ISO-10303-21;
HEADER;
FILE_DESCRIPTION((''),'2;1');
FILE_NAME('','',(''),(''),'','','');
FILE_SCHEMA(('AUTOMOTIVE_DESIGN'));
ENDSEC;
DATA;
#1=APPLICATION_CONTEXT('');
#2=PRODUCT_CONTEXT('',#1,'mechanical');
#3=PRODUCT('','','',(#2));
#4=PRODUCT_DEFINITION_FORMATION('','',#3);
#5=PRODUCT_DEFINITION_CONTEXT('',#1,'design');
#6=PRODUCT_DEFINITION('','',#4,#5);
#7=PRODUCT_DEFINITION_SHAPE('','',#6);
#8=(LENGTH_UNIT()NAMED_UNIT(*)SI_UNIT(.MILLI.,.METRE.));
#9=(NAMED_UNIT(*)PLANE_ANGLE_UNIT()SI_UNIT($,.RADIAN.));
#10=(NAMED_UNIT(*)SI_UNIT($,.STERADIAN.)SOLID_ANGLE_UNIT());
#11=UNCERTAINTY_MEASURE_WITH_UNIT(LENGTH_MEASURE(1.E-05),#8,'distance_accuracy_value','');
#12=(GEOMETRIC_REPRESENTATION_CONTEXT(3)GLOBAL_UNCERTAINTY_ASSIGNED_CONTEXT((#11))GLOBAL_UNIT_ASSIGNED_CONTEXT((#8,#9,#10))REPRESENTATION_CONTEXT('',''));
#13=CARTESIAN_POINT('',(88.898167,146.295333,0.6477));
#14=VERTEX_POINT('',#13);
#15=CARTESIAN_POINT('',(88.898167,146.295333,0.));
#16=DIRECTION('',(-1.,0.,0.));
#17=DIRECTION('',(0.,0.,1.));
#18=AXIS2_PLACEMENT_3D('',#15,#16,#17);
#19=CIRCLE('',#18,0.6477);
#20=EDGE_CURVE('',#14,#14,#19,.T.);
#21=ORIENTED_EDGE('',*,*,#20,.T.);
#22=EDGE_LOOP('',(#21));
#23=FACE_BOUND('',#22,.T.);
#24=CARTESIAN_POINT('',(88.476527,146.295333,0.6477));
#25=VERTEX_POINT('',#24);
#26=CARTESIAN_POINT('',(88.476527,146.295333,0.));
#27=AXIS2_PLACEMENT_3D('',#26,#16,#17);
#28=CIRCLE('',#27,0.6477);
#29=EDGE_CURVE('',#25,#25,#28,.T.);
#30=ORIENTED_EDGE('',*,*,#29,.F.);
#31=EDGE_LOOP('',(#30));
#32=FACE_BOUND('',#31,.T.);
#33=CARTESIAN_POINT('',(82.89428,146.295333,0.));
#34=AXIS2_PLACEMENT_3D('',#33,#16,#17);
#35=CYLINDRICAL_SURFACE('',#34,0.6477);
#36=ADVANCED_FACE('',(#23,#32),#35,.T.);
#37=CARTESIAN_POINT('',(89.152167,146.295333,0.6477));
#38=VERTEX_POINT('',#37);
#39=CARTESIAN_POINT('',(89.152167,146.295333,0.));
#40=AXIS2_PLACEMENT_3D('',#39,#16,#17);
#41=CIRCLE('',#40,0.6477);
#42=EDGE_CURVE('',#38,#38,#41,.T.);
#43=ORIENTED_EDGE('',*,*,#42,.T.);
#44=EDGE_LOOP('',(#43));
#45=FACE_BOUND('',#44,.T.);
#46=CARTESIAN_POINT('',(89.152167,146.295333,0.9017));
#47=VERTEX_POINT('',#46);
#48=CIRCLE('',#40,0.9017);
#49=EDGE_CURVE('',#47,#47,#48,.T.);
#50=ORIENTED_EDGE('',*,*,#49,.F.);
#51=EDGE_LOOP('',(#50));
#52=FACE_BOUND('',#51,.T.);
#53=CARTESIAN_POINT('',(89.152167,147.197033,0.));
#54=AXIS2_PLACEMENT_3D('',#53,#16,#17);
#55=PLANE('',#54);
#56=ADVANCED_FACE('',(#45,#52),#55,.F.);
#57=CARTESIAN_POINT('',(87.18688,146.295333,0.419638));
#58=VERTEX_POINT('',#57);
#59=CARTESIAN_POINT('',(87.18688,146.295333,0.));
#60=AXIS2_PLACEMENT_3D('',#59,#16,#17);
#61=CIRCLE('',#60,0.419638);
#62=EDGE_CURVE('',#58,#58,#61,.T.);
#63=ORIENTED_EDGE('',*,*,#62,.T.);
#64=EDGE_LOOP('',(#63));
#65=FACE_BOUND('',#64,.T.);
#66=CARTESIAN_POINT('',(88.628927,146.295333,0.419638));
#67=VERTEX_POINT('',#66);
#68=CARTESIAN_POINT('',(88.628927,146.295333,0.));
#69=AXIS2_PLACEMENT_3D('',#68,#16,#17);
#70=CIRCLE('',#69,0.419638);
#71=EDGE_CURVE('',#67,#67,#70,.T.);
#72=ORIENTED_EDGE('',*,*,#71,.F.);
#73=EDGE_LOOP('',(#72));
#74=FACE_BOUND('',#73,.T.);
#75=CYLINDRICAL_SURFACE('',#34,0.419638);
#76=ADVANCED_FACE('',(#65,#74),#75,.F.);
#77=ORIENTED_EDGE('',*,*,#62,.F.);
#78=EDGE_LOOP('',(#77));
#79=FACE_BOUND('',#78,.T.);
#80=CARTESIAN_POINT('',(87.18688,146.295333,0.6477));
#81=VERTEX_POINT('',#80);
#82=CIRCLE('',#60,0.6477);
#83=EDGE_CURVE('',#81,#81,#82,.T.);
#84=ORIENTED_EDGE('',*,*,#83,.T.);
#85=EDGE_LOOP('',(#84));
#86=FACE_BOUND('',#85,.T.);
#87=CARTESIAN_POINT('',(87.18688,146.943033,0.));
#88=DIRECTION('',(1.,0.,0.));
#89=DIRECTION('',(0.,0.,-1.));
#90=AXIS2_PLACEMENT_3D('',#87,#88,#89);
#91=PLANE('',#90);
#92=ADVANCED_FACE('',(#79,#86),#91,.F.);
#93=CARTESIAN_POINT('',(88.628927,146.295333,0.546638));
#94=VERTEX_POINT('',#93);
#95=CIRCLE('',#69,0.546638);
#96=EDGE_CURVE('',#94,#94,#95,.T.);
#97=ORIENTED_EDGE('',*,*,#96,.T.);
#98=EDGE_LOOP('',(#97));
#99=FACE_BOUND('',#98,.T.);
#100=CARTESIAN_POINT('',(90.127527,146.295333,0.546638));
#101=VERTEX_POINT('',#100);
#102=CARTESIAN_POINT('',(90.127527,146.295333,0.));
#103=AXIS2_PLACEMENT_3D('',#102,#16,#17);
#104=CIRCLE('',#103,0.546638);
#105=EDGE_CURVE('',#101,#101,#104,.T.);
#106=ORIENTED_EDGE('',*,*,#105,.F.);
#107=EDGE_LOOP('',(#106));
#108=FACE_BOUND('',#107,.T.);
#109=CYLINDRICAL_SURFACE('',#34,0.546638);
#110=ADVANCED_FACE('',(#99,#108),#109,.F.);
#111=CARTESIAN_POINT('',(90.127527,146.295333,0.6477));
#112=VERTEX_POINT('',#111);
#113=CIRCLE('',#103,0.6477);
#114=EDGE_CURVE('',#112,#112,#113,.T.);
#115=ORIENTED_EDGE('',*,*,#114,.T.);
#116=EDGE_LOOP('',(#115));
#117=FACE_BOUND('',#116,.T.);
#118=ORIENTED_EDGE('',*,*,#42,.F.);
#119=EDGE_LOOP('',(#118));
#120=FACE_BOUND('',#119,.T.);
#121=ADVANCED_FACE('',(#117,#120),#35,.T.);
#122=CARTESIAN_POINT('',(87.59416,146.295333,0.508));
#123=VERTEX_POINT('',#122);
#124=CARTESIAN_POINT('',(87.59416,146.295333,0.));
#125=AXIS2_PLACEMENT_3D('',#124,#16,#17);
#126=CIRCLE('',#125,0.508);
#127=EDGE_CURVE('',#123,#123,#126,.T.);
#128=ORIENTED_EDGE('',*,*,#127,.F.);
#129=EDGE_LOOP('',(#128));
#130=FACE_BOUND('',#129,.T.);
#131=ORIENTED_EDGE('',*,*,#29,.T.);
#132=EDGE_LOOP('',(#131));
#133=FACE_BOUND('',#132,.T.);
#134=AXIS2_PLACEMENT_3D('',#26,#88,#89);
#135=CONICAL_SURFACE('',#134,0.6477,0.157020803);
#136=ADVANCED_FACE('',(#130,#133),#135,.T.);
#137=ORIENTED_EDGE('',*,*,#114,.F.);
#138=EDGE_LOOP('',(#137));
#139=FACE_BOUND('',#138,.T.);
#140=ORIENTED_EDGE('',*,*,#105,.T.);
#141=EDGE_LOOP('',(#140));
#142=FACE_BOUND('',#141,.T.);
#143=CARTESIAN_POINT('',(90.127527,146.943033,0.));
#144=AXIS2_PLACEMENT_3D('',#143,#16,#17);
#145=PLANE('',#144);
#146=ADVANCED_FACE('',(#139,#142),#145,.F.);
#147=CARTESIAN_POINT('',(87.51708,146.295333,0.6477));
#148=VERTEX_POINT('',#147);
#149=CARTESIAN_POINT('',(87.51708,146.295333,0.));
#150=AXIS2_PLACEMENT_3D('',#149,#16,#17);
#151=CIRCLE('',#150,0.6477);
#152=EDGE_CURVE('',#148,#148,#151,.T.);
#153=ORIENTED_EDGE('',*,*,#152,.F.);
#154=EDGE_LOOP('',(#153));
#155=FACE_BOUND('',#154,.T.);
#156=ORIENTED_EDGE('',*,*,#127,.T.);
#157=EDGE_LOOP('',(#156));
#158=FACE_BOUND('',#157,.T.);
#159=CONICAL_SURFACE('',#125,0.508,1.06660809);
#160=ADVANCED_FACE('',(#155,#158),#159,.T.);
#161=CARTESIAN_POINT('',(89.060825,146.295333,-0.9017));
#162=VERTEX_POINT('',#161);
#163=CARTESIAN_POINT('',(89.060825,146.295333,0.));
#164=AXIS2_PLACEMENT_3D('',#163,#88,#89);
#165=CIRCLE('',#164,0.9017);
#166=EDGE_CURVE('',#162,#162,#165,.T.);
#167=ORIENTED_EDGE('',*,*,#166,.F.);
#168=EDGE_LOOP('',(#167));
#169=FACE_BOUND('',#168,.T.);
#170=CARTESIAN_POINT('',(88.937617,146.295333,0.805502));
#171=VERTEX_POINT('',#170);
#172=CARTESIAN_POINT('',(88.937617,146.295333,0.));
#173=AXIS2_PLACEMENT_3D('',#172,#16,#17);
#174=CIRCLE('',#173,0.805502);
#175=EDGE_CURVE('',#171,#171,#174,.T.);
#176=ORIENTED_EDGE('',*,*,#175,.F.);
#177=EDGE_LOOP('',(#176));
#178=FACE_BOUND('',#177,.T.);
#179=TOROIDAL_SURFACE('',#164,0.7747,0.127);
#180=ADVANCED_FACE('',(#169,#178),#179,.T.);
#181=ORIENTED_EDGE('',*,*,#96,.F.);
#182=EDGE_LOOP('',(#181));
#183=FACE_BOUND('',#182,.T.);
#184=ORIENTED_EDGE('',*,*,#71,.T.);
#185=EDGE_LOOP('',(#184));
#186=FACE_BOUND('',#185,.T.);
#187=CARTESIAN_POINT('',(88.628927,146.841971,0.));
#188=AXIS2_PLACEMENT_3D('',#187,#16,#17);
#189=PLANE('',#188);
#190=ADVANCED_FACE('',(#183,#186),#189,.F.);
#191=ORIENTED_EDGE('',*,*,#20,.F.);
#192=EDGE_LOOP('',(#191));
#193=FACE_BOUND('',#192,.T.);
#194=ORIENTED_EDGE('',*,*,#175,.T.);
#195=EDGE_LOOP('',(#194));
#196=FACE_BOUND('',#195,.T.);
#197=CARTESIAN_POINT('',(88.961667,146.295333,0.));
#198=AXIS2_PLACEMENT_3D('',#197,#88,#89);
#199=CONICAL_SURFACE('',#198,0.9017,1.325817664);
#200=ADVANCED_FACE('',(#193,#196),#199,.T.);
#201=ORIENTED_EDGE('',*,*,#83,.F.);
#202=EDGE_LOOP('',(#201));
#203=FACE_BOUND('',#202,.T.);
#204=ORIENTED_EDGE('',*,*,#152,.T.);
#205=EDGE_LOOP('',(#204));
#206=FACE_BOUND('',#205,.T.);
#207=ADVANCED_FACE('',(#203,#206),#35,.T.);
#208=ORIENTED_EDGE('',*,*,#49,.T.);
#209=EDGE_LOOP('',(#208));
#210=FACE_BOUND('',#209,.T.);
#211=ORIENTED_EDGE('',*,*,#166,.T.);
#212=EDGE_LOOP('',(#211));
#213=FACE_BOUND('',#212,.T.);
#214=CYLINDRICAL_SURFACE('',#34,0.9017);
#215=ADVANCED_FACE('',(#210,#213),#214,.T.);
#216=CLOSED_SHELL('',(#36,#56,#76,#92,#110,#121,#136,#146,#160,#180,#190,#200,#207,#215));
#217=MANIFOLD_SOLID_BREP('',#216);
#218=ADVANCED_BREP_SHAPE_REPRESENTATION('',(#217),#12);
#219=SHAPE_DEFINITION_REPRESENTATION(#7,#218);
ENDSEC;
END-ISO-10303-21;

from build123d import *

# Parameters (mm, degrees)
FILLET1_R = 0.127


with BuildPart() as part:
    # Sketch1 → Revolve1 (revolve)
    with BuildSketch(Plane.XY, mode=Mode.PRIVATE) as revolve1_sk:
        Polygon((88.476526811, 146.943032749), (88.898166811, 146.943032749), (88.961666811, 147.197032749), (89.152166811, 147.197032749), (89.152166811, 146.943032749), (90.127526811, 146.943032749), (90.127526811, 146.841971125), (88.628926811, 146.841971125), (88.628926811, 146.714971125), (87.186879843, 146.714971125), (87.186879843, 146.943032749), (87.517079843, 146.943032749), (87.594159764, 146.803332749), align=None)
    revolve(revolve1_sk.sketch.rotate(Axis((82.894279843, 146.295332749, 0), (1, 0, 0)), 90), axis=Axis((82.894279843, 146.295332749, 0), (1, 0, 0)))

    # Fillet1
    fillet1_edges = [part.edges().sort_by_distance(p)[0] for p in [
        (88.961666811, 146.295332749, -0.9017),
    ]]
    fillet(fillet1_edges, radius=FILLET1_R)


solid = part.part
